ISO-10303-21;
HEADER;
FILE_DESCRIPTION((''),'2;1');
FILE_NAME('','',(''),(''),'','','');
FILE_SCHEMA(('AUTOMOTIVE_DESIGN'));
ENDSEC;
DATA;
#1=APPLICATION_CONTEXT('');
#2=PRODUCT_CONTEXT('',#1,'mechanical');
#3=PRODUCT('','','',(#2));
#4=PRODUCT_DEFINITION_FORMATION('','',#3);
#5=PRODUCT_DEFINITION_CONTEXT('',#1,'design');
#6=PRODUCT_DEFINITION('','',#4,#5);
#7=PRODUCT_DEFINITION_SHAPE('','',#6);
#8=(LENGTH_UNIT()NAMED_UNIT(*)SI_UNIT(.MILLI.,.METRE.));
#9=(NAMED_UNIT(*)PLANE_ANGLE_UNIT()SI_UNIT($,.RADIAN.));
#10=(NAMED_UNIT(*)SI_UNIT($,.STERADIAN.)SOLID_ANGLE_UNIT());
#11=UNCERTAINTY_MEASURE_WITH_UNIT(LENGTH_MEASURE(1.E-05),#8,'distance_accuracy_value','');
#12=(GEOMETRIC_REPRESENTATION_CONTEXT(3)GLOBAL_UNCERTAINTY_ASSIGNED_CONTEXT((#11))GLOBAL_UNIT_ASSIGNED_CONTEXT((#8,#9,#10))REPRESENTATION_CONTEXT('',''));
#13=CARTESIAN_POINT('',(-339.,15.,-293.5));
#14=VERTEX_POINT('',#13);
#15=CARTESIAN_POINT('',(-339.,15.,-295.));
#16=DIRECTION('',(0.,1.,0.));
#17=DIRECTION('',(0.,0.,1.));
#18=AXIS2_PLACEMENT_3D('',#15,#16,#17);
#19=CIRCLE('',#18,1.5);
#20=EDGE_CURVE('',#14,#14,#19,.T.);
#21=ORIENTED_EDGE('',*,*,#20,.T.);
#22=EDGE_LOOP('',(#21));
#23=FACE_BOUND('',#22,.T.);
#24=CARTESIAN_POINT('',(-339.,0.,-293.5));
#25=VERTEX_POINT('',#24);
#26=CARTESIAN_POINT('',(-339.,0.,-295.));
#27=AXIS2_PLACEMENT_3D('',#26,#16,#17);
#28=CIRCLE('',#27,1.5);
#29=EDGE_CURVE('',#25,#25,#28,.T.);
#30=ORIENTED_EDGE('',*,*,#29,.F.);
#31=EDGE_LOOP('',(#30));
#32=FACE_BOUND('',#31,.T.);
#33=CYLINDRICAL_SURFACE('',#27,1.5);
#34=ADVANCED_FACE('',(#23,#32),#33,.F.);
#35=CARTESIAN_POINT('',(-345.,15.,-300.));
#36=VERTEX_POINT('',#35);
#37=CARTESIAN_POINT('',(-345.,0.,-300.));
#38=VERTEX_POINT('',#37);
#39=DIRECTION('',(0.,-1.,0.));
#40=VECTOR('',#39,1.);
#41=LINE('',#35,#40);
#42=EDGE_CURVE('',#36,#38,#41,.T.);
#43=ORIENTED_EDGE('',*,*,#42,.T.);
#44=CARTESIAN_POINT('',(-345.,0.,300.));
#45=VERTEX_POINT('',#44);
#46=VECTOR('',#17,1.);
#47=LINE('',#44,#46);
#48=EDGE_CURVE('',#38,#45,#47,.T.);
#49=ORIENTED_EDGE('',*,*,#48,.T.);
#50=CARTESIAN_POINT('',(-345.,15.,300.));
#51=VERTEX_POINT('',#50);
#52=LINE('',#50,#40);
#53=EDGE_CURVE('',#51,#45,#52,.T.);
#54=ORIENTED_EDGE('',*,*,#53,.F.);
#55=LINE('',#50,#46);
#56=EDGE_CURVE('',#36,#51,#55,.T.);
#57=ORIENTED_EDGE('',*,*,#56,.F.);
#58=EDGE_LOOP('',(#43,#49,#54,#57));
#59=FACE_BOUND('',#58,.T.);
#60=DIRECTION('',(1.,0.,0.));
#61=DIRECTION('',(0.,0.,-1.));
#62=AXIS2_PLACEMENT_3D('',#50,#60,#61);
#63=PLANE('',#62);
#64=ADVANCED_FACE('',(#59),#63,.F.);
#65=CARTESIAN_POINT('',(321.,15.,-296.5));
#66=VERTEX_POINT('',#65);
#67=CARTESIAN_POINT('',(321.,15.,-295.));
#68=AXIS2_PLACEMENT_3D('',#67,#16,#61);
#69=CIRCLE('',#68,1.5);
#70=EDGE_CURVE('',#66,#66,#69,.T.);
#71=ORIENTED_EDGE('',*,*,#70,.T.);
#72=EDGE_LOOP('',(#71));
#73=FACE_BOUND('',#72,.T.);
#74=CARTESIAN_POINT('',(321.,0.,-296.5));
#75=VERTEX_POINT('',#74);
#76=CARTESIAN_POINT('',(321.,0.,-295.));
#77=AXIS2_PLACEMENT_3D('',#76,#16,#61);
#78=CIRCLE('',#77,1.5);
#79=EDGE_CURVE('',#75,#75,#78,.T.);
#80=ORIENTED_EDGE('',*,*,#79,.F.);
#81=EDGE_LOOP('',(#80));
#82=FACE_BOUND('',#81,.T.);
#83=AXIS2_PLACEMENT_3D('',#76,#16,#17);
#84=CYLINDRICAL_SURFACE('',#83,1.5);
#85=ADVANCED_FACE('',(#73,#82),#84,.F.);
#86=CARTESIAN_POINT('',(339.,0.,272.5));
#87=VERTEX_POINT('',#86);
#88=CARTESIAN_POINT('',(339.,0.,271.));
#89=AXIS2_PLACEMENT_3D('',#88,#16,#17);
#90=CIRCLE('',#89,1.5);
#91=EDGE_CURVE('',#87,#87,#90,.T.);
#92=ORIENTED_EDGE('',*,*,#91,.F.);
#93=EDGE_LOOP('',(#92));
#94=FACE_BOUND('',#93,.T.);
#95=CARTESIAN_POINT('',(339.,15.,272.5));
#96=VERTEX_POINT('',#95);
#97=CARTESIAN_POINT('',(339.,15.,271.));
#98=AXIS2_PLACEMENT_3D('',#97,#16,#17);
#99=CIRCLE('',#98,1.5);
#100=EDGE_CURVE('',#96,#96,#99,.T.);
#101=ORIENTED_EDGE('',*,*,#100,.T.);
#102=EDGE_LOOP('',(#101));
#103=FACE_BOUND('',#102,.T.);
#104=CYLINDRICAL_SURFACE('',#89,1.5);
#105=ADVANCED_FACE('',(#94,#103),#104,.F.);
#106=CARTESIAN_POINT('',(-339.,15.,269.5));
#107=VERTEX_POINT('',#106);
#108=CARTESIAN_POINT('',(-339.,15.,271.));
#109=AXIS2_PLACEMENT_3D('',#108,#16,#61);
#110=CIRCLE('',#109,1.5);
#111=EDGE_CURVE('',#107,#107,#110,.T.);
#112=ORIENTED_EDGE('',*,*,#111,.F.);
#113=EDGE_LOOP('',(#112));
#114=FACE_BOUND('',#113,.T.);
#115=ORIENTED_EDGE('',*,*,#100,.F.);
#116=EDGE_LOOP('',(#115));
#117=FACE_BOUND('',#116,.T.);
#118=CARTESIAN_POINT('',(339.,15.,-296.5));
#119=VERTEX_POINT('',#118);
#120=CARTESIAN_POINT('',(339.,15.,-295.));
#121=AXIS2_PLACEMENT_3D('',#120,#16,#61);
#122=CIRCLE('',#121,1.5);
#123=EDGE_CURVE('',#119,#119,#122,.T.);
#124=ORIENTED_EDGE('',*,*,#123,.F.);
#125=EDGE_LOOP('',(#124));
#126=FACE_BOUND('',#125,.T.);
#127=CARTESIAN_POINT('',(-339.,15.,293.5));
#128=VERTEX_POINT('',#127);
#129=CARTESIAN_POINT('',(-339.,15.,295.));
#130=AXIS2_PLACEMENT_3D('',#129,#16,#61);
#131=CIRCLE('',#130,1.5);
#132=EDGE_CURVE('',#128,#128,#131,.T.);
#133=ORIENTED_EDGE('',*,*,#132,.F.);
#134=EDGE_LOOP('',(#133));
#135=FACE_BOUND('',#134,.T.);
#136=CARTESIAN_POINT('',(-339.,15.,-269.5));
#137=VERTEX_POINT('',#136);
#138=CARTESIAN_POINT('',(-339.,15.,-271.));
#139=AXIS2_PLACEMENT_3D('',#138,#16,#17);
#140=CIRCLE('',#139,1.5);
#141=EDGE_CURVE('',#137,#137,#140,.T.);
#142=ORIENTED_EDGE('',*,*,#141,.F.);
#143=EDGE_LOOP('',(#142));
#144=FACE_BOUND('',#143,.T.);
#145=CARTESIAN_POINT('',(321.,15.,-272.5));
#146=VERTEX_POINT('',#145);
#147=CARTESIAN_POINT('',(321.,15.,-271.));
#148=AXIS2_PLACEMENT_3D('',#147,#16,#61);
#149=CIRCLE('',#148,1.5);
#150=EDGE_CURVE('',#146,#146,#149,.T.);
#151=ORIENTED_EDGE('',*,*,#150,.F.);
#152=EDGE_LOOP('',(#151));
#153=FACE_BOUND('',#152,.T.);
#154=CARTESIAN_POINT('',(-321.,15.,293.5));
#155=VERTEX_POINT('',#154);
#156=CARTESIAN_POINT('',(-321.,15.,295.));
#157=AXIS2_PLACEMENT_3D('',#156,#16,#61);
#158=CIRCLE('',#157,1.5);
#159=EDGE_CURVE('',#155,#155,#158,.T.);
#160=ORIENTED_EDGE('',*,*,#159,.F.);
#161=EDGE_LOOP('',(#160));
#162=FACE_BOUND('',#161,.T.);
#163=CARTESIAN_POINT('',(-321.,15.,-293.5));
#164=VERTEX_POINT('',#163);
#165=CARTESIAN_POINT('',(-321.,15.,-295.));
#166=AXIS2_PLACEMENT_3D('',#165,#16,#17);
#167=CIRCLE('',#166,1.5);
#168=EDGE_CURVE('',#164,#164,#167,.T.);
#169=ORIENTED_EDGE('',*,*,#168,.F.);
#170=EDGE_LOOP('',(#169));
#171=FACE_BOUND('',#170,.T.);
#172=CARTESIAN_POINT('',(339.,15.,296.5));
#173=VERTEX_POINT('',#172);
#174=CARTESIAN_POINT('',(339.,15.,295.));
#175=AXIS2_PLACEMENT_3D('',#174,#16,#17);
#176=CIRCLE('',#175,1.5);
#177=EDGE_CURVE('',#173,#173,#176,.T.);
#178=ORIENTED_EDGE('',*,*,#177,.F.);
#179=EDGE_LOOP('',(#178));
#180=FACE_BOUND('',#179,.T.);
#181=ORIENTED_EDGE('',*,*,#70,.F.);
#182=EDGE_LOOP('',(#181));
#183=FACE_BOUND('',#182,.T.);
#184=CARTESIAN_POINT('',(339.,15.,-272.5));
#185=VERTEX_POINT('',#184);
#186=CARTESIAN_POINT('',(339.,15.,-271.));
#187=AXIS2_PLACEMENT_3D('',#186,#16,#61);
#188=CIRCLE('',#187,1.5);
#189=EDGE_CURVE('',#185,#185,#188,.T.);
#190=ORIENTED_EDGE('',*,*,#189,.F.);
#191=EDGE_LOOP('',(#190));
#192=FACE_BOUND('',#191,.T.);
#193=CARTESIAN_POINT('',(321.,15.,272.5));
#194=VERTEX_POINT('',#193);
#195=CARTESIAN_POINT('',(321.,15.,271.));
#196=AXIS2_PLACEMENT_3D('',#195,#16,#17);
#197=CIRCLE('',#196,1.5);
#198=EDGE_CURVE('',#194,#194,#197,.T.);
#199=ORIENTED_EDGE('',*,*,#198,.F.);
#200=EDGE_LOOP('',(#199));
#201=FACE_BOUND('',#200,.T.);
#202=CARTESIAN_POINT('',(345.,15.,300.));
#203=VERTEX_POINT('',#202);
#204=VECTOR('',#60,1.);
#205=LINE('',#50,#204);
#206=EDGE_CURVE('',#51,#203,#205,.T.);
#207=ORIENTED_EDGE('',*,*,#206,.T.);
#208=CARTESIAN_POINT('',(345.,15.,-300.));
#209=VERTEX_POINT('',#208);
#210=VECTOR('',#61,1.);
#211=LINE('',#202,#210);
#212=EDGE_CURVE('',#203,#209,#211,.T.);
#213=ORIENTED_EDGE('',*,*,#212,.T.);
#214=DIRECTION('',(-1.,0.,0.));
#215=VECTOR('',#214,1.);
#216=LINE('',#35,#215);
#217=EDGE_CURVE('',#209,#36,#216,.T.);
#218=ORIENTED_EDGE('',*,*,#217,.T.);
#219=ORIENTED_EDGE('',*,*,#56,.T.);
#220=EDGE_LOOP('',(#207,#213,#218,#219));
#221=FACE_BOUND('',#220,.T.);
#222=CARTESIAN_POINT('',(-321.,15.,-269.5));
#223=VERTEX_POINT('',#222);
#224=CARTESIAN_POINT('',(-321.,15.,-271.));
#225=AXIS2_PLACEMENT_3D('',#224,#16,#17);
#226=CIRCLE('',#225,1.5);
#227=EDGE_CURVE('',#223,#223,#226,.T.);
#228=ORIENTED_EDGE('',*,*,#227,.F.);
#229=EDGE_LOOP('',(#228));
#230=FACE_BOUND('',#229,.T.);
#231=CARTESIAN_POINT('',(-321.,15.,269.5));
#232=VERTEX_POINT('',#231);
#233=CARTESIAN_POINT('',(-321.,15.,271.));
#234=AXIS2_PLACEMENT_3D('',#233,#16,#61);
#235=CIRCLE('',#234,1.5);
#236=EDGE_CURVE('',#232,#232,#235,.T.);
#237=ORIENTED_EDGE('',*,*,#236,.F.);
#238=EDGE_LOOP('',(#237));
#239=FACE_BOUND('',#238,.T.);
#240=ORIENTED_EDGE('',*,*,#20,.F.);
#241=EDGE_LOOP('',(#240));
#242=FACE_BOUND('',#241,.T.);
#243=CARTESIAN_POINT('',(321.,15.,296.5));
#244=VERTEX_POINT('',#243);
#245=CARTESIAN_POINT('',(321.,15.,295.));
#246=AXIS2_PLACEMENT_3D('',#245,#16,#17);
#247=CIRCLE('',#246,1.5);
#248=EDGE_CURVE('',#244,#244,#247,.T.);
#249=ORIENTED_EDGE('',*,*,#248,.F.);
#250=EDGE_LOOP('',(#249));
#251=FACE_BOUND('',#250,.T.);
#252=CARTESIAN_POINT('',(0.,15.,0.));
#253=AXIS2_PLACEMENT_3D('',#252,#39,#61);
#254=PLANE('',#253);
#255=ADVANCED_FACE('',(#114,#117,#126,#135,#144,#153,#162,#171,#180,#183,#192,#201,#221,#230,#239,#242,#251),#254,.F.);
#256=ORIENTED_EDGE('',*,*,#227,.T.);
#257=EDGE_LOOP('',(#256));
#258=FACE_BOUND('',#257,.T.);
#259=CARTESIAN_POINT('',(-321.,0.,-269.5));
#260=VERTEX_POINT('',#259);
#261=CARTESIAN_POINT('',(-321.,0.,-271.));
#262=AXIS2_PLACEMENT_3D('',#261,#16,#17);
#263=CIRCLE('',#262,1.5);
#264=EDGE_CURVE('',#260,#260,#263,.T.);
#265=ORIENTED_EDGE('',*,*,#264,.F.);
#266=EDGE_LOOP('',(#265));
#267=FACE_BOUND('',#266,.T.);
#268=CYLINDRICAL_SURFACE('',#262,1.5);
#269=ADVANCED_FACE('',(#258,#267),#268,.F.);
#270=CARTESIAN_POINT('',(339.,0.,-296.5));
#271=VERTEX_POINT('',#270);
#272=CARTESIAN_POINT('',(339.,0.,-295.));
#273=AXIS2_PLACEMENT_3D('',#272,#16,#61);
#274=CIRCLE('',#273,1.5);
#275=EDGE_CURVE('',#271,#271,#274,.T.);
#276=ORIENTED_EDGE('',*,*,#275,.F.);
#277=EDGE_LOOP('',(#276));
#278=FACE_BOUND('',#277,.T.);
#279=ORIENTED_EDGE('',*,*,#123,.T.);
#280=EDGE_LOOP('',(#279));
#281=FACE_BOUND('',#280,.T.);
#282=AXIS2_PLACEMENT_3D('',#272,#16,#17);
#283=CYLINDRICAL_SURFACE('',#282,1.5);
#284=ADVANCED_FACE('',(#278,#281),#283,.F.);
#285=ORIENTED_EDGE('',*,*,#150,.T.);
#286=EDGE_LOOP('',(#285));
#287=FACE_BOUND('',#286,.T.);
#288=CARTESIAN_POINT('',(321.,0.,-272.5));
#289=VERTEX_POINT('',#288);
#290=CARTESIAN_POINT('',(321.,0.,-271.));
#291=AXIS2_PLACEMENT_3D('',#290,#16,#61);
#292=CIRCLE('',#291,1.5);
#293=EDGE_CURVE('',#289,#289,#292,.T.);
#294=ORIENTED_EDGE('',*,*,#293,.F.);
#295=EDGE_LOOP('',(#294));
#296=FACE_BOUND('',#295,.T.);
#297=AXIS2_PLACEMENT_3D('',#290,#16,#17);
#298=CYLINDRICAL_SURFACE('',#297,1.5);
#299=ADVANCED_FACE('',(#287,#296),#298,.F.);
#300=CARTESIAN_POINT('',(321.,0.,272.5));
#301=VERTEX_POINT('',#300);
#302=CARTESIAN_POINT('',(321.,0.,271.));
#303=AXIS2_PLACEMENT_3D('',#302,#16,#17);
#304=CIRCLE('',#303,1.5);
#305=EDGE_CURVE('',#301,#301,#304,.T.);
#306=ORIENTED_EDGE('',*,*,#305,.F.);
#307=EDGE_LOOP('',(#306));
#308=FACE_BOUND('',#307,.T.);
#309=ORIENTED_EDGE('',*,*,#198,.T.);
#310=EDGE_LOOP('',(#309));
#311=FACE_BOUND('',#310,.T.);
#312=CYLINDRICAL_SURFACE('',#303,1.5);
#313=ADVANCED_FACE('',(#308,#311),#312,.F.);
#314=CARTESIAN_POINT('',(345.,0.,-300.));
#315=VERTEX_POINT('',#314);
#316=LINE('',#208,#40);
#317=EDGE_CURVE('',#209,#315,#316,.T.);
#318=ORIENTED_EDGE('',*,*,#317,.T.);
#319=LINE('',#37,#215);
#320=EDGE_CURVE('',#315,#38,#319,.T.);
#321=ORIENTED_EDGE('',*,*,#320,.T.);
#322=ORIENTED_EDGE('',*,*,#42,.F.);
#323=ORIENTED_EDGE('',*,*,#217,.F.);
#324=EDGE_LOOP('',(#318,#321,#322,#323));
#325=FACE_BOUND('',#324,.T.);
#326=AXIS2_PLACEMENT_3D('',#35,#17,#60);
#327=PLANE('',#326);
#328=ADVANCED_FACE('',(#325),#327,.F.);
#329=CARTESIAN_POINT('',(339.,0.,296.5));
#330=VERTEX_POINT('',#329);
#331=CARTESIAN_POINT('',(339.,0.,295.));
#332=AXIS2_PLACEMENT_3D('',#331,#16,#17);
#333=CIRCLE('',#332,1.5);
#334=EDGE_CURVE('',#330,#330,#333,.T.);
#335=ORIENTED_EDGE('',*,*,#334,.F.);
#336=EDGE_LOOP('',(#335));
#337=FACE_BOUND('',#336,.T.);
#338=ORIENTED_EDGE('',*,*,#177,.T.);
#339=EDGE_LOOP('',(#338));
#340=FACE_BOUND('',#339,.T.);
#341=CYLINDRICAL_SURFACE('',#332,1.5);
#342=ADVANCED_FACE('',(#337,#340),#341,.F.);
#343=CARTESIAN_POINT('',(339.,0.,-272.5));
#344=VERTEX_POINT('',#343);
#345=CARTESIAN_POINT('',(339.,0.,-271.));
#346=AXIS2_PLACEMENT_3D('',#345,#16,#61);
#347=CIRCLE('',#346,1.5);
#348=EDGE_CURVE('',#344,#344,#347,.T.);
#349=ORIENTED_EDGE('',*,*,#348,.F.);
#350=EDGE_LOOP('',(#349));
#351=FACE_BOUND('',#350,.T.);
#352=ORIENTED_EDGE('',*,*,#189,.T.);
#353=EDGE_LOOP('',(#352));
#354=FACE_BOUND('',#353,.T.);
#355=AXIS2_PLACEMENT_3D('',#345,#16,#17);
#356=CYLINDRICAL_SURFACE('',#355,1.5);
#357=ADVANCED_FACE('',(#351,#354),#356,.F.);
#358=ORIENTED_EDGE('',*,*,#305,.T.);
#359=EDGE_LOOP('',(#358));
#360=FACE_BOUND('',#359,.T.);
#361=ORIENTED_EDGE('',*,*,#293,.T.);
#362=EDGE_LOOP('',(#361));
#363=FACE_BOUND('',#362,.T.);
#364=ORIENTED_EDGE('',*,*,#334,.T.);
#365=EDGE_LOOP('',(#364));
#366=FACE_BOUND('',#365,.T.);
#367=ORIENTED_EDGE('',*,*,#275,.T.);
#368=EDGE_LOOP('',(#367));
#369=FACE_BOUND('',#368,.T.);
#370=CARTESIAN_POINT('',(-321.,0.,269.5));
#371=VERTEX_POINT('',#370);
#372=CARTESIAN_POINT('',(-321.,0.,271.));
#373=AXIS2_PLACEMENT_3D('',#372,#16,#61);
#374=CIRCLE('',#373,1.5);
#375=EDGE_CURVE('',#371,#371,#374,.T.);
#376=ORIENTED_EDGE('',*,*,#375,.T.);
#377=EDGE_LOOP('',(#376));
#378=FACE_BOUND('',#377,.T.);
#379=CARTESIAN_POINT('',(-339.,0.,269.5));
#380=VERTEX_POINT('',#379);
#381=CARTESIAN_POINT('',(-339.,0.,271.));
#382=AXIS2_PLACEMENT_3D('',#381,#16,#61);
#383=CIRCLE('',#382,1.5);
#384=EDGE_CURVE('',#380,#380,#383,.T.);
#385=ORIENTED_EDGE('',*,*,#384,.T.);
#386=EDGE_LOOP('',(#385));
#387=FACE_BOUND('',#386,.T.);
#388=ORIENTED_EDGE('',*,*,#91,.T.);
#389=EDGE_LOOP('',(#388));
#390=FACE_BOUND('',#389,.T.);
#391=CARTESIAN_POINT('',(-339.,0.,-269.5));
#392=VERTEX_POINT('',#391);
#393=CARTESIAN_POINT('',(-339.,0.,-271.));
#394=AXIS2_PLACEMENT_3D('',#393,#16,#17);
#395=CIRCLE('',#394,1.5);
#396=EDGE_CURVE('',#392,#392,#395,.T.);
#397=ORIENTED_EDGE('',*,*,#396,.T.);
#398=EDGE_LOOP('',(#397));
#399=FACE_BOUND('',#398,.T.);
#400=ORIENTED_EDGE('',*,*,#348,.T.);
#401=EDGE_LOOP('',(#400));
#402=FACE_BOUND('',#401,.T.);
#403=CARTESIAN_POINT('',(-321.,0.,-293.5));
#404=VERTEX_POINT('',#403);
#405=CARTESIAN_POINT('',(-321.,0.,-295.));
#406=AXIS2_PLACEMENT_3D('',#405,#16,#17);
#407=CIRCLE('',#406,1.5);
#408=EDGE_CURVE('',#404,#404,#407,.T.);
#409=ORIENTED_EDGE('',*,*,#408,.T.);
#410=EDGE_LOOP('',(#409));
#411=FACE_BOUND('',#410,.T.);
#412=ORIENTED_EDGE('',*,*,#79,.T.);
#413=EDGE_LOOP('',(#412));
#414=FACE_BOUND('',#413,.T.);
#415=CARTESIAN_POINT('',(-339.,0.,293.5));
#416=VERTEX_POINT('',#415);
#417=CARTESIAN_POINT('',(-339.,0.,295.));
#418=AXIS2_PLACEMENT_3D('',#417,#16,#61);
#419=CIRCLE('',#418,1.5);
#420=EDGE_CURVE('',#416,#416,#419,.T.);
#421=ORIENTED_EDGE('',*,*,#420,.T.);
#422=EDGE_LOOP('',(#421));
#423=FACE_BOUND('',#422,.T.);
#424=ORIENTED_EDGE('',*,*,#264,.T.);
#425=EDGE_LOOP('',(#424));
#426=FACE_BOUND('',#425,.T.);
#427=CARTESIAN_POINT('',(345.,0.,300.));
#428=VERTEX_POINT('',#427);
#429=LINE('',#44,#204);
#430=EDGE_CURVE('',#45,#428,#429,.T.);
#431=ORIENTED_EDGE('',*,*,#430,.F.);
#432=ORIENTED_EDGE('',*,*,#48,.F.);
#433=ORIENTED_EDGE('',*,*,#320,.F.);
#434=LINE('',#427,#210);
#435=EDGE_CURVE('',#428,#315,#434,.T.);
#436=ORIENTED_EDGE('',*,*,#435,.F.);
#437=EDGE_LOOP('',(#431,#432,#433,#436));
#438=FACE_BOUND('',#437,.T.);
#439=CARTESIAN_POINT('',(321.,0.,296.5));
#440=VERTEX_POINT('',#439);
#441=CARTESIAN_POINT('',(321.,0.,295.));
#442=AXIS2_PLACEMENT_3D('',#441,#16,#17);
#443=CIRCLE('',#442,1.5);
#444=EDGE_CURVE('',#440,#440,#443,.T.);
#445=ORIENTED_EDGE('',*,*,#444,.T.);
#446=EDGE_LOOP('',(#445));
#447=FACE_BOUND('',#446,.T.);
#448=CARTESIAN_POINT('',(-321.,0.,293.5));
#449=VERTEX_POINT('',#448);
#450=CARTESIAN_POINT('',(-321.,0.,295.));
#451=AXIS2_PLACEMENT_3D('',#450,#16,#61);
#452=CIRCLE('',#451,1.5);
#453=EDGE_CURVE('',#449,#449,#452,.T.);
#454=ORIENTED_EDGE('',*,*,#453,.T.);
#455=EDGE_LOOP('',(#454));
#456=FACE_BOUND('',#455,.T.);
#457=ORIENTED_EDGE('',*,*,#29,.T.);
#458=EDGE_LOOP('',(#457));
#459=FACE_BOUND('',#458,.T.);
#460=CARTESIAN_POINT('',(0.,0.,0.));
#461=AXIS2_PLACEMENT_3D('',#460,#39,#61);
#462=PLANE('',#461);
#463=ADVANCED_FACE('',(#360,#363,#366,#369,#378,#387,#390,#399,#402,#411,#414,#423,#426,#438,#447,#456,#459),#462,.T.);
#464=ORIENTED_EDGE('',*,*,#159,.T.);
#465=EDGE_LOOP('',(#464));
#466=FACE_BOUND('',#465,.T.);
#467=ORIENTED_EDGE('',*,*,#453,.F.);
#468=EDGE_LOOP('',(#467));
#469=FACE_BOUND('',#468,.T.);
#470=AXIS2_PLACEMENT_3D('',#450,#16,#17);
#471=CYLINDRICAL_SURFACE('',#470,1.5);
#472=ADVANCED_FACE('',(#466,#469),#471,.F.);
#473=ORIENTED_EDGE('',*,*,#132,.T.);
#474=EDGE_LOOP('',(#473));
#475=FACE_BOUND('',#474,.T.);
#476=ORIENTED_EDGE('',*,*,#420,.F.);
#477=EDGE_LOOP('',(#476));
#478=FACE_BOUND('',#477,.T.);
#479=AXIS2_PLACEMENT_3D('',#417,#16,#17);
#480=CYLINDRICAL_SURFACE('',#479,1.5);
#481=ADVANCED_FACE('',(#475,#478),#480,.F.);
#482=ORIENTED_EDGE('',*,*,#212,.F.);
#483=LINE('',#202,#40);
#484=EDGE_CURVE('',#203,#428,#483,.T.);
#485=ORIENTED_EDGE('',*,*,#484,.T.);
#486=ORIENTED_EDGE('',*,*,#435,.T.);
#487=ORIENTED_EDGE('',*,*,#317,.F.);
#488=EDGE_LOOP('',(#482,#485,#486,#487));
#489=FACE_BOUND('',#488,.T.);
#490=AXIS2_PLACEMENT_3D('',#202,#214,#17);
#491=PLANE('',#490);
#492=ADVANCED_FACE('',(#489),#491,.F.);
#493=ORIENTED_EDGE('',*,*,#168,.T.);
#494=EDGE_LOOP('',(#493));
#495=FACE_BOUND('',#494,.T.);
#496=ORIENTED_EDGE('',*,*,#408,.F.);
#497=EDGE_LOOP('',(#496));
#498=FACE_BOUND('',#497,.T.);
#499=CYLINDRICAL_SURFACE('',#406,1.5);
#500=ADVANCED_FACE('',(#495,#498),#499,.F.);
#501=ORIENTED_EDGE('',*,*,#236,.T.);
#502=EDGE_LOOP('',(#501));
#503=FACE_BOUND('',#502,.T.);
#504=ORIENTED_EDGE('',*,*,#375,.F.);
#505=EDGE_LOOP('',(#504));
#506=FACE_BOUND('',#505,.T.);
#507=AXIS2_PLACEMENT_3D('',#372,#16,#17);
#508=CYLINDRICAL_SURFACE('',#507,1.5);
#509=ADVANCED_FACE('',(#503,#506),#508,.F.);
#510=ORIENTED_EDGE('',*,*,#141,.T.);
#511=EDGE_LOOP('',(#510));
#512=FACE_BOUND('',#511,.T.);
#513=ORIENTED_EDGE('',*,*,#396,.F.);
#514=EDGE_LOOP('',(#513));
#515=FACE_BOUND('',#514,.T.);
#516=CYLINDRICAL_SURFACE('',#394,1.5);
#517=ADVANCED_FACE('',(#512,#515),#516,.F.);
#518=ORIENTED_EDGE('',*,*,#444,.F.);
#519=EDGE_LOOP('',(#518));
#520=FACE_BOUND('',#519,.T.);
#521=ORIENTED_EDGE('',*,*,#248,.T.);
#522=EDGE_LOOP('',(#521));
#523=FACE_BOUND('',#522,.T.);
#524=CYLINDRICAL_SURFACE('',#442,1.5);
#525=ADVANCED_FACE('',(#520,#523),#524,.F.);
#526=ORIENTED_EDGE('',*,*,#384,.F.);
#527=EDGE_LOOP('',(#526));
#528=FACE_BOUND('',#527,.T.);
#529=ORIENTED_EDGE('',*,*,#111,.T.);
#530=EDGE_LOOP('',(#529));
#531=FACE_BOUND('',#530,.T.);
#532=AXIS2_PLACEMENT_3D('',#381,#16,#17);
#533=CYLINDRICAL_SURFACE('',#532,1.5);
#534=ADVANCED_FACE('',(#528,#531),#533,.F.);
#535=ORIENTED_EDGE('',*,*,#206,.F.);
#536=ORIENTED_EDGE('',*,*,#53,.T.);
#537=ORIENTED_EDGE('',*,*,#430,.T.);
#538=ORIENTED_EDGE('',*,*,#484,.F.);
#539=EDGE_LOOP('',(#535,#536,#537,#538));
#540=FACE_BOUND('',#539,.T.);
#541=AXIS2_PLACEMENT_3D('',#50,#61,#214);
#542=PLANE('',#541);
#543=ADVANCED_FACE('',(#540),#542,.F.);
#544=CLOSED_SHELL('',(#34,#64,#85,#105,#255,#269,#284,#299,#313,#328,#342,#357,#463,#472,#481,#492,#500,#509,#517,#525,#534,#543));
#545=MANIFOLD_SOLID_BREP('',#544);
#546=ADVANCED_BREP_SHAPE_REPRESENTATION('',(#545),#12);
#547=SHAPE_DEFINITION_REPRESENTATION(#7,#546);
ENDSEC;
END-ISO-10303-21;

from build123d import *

# Parameters (mm, degrees)
CROQUIS1_W              = 690
CROQUIS1_H              = 600
SALIENTE_EXTRUIR1_DEPTH = 15
CROQUIS3_R              = 1.5
CORTAR_EXTRUIR1_DEPTH   = 458.438520459


with BuildPart() as part:
    # Croquis1 → Saliente-Extruir1 (new body)
    with BuildSketch(Plane(origin=(0, 0, 0), x_dir=(1, 0, 0), z_dir=(0, 1, 0))):
        Rectangle(CROQUIS1_W, CROQUIS1_H)
    extrude(amount=SALIENTE_EXTRUIR1_DEPTH)

    # Croquis3 → Cortar-Extruir1 (cut, through all)
    with BuildSketch(Plane(origin=(0, 15, 0), x_dir=(1, 0, 0), z_dir=(0, 1, 0))):
        with Locations(Location((339, -295, 0), (0, 0, 270))):
            Circle(CROQUIS3_R)
        with Locations(Location((321, -295, 0), (0, 0, 270))):
            Circle(CROQUIS3_R)
        with Locations(Location((321, -271, 0), (0, 0, 270))):
            Circle(CROQUIS3_R)
        with Locations(Location((339, -271, 0), (0, 0, 270))):
            Circle(CROQUIS3_R)
        with Locations(Location((-321, -295, 0), (0, 0, 90))):
            Circle(CROQUIS3_R)
        with Locations(Location((-339, -295, 0), (0, 0, 90))):
            Circle(CROQUIS3_R)
        with Locations(Location((-339, -271, 0), (0, 0, 90))):
            Circle(CROQUIS3_R)
        with Locations(Location((-321, -271, 0), (0, 0, 90))):
            Circle(CROQUIS3_R)
        with Locations(Location((-321, 295, 0), (0, 0, 270))):
            Circle(CROQUIS3_R)
        with Locations(Location((-339, 295, 0), (0, 0, 270))):
            Circle(CROQUIS3_R)
        with Locations(Location((-339, 271, 0), (0, 0, 270))):
            Circle(CROQUIS3_R)
        with Locations(Location((-321, 271, 0), (0, 0, 270))):
            Circle(CROQUIS3_R)
        with Locations(Location((321, 295, 0), (0, 0, 90))):
            Circle(CROQUIS3_R)
        with Locations(Location((339, 295, 0), (0, 0, 90))):
            Circle(CROQUIS3_R)
        with Locations(Location((339, 271, 0), (0, 0, 90))):
            Circle(CROQUIS3_R)
        with Locations(Location((321, 271, 0), (0, 0, 90))):
            Circle(CROQUIS3_R)
    extrude(amount=-CORTAR_EXTRUIR1_DEPTH, mode=Mode.SUBTRACT)


solid = part.part
